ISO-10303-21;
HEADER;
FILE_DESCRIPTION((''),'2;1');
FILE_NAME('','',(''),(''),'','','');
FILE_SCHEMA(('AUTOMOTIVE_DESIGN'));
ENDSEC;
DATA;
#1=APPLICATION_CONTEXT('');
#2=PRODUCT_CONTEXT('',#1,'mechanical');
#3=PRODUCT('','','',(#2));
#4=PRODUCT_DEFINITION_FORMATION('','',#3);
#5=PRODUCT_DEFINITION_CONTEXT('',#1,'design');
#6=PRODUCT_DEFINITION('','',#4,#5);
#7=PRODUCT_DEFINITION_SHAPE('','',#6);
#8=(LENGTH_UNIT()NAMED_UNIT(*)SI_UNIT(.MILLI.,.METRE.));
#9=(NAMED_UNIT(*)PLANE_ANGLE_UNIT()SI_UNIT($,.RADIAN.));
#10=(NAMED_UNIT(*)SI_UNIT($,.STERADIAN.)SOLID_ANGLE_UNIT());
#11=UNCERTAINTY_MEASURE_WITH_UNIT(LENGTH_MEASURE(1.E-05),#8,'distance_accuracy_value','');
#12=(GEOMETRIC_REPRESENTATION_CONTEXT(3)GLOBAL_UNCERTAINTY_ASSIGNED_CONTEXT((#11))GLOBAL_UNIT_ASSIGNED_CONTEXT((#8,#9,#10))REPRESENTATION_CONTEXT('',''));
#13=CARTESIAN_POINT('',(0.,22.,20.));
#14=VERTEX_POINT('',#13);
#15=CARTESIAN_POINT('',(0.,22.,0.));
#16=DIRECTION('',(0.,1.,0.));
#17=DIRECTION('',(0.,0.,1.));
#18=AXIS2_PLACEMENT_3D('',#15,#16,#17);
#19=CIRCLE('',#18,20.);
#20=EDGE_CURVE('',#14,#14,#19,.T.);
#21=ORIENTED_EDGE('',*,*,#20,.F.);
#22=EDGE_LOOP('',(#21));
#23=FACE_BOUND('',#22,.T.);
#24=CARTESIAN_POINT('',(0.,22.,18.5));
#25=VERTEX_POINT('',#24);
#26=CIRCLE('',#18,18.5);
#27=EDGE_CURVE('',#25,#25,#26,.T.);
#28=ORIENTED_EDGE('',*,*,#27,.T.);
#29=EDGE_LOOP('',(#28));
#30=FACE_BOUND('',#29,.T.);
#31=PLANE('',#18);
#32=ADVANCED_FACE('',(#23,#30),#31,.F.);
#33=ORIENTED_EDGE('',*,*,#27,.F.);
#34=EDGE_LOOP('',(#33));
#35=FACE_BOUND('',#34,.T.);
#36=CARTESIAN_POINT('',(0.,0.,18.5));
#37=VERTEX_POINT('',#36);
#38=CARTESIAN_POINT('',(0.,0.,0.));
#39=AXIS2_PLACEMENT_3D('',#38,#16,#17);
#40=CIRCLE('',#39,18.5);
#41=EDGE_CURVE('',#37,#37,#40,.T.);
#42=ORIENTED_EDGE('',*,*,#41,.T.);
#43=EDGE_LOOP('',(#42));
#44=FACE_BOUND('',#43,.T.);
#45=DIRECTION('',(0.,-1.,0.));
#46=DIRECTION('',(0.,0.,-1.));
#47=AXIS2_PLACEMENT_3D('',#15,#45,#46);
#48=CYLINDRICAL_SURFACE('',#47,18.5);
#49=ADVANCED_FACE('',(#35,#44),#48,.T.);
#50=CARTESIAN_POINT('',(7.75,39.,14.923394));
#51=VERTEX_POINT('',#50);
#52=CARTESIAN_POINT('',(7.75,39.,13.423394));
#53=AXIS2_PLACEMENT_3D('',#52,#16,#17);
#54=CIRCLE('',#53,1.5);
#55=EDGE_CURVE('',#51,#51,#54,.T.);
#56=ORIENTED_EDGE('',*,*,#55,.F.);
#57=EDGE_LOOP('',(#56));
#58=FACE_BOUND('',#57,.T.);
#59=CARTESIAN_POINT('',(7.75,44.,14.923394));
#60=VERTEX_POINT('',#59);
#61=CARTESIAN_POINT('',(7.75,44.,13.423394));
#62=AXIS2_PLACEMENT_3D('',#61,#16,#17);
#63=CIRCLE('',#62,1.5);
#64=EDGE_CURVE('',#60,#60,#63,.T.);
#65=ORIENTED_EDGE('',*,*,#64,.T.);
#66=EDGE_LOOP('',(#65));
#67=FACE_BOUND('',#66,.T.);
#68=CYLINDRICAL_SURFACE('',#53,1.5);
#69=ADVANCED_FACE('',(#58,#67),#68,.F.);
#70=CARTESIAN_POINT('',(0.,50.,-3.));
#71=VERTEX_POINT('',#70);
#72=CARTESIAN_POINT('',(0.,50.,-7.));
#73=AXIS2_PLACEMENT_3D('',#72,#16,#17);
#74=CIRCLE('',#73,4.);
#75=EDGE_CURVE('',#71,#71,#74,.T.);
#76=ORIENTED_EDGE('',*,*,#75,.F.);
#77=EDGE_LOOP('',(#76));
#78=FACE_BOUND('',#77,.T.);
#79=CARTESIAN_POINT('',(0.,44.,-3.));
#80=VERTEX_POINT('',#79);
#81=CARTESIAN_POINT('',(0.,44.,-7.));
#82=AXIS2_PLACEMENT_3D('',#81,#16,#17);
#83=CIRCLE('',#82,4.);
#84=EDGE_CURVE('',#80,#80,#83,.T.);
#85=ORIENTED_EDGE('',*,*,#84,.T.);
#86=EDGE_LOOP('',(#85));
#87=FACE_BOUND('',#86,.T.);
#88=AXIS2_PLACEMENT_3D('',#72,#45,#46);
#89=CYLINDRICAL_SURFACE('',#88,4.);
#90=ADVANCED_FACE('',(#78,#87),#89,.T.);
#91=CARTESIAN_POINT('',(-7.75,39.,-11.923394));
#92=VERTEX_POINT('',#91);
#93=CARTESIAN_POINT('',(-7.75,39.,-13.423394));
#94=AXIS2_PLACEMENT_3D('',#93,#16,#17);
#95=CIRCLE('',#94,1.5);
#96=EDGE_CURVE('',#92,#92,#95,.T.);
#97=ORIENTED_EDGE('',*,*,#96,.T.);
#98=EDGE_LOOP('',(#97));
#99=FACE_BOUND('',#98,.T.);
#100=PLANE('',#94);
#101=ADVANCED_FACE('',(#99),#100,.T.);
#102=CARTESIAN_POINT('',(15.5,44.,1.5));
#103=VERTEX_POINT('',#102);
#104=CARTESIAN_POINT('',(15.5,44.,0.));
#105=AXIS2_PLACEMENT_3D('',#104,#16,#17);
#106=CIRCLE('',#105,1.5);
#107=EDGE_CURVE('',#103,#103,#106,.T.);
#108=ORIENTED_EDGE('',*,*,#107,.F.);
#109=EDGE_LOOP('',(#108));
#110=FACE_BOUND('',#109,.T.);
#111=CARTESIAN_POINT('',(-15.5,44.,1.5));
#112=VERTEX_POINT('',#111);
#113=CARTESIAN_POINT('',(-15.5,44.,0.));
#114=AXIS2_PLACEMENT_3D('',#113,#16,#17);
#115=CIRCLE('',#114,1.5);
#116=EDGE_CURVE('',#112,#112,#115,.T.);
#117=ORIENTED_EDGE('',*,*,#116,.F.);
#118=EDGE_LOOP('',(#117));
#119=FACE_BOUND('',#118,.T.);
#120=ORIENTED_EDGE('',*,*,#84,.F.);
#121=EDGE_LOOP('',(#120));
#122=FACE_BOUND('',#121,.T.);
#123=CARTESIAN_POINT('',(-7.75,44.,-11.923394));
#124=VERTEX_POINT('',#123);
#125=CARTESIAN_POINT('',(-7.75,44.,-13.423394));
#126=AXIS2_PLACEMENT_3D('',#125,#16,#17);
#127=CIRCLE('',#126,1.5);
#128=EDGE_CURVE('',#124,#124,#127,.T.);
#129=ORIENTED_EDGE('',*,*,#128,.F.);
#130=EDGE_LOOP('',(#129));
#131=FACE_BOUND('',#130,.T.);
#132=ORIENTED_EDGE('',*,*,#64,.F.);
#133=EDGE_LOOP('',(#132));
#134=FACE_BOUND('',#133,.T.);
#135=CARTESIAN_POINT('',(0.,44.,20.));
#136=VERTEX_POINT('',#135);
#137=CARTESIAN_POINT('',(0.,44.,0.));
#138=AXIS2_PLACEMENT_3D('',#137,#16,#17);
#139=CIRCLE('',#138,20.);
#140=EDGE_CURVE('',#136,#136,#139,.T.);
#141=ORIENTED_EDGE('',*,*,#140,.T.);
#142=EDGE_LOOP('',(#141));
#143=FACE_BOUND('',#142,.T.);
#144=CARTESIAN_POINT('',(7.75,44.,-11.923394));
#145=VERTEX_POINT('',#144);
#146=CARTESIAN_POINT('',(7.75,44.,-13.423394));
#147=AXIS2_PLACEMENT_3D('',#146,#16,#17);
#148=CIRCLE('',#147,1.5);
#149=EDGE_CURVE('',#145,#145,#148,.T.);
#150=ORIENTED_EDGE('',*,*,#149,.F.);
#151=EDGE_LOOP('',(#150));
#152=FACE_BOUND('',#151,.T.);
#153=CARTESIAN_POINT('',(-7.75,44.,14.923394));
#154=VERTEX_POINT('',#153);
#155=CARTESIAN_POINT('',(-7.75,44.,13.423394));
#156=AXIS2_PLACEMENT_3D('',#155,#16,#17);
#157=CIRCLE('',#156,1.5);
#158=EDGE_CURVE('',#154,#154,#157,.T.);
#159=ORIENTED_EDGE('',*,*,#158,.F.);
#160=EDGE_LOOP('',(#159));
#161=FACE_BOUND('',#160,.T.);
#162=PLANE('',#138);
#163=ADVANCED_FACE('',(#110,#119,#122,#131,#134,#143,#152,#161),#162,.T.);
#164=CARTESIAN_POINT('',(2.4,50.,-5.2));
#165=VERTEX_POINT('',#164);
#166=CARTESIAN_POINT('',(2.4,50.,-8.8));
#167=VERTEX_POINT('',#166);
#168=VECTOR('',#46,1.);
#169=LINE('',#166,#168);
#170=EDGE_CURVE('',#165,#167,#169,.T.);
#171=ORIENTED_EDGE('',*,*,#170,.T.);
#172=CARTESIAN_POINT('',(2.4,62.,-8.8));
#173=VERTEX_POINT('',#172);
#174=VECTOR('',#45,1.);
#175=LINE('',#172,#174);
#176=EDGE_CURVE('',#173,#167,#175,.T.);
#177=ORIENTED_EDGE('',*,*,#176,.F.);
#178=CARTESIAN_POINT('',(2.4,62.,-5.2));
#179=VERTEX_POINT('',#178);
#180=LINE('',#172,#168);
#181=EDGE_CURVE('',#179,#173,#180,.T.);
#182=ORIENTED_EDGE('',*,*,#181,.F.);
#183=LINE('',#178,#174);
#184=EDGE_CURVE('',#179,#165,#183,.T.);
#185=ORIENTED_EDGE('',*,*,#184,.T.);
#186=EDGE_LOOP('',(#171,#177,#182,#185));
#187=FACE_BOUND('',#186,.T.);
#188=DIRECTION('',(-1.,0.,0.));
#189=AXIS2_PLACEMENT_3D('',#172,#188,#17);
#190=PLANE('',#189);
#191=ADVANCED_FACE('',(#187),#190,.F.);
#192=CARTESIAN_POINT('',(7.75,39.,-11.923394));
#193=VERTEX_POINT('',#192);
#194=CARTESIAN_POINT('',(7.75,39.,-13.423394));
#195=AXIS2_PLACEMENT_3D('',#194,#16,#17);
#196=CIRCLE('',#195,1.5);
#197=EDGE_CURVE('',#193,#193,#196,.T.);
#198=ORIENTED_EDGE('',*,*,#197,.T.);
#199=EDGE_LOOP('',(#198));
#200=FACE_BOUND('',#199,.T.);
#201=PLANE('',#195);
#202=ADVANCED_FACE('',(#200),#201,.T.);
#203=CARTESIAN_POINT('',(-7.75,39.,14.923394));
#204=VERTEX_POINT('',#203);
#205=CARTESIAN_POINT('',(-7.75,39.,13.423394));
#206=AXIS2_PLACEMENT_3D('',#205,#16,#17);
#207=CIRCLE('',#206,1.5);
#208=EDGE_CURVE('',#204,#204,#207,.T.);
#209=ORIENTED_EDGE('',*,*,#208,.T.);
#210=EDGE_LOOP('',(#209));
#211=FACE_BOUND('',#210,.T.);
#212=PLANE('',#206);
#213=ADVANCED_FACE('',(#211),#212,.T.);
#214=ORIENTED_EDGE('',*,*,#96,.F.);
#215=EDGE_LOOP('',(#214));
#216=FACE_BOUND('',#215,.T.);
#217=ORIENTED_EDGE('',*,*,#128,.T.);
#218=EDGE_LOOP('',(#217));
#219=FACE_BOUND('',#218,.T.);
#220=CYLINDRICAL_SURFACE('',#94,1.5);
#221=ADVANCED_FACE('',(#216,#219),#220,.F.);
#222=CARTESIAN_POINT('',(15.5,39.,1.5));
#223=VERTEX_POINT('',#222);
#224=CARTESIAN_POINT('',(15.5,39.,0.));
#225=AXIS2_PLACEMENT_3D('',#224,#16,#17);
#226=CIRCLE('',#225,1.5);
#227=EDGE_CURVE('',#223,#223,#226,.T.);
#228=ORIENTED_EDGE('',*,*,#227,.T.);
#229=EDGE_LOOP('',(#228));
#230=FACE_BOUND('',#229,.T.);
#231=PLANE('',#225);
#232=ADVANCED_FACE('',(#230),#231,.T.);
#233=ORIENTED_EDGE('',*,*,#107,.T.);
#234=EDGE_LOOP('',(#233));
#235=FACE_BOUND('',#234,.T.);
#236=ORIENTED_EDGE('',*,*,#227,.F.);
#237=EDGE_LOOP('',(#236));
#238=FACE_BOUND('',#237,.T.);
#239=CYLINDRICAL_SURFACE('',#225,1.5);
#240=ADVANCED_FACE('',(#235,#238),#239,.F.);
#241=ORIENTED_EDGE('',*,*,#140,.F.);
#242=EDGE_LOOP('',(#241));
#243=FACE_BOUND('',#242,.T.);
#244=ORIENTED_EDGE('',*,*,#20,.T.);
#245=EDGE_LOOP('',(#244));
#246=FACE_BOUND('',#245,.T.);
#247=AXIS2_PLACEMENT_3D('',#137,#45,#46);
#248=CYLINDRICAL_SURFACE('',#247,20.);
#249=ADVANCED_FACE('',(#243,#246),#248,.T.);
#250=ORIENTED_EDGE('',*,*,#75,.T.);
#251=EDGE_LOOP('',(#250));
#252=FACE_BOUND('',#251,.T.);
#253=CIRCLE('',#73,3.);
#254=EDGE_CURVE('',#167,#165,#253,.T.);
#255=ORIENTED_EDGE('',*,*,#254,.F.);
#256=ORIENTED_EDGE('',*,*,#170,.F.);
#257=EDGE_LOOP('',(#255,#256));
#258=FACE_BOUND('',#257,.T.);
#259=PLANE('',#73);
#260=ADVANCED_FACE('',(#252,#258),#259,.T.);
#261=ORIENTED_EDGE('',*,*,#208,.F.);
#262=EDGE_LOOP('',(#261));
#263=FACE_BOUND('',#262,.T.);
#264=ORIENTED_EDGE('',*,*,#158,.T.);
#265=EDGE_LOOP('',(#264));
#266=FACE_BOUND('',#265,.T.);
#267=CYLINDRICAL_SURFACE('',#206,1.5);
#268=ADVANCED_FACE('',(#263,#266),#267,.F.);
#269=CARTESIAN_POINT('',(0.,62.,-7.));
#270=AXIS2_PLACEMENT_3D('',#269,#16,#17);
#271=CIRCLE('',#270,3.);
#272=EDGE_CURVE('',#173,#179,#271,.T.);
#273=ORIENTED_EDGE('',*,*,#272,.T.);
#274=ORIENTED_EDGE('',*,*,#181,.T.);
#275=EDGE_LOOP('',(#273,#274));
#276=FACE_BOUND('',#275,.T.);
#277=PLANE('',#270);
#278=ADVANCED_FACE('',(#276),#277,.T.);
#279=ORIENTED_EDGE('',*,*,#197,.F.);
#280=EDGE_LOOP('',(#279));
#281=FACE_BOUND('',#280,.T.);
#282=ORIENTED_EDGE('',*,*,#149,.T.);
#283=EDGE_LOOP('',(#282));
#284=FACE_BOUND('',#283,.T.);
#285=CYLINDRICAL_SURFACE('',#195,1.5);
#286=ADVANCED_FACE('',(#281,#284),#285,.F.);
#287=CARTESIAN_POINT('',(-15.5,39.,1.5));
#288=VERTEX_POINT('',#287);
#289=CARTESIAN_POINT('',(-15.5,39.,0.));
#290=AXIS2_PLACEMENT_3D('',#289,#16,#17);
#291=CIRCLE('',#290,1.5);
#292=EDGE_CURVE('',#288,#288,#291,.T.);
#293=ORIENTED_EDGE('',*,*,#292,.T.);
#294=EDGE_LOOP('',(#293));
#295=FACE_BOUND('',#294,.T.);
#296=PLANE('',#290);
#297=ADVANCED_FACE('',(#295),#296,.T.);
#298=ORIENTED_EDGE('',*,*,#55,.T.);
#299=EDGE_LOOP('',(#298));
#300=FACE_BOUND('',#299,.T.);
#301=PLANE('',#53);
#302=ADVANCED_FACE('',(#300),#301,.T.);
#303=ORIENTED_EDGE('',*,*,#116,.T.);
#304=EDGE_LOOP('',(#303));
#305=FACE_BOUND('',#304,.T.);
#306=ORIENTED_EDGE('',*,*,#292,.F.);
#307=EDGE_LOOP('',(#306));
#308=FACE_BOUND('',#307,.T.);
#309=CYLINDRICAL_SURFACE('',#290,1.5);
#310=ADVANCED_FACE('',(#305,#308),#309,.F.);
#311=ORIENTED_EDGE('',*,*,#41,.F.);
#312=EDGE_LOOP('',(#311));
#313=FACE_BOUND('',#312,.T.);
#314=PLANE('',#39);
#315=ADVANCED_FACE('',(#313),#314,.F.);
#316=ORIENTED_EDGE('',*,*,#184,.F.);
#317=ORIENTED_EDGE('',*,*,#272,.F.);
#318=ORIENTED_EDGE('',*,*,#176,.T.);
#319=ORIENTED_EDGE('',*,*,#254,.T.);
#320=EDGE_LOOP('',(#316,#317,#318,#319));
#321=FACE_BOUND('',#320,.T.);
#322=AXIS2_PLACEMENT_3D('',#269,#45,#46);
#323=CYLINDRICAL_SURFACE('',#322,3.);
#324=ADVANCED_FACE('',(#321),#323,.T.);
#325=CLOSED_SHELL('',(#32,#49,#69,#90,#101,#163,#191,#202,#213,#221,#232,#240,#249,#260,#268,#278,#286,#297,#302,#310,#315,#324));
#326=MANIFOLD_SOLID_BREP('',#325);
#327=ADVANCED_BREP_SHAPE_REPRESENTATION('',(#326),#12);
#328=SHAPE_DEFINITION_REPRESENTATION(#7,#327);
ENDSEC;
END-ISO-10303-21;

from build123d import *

# Parameters (mm, degrees)
SKETCH_1_R          = 18.5
EXTRUDE_1_DEPTH     = 22
SKETCH_2_R          = 20
EXTRUDE_2_DEPTH     = 22
SKETCH_3_R          = 1.5
CUT_EXTRUDE_1_DEPTH = 5
SKETCH_4_R          = 4
EXTRUDE_3_DEPTH     = 6
EXTRUDE_4_DEPTH     = 12


with BuildPart() as part:
    # 草图1 → 凸台-拉伸1 (new body)
    with BuildSketch(Plane(origin=(0, 0, 0), x_dir=(1, 0, 0), z_dir=(0, 1, 0))):
        with Locations(Location((0, 0, 0), (0, 0, 270))):
            Circle(SKETCH_1_R)
    extrude(amount=EXTRUDE_1_DEPTH)

    # 草图2 → 凸台-拉伸2 (add)
    with BuildSketch(Plane(origin=(0, 22, 0), x_dir=(1, 0, 0), z_dir=(0, 1, 0))):
        with Locations(Location((0, 0, 0), (0, 0, 270))):
            Circle(SKETCH_2_R)
    extrude(amount=EXTRUDE_2_DEPTH)

    # 草图3 → 切除-拉伸1 (cut)
    with BuildSketch(Plane(origin=(0, 44, 0), x_dir=(1, 0, 0), z_dir=(0, 1, 0))):
        with Locations(Location((-7.75, 13.423393759, 0), (0, 0, 270))):
            Circle(SKETCH_3_R)
        with Locations(Location((-15.5, 0, 0), (0, 0, 270))):
            Circle(SKETCH_3_R)
        with Locations(Location((-7.75, -13.423393759, 0), (0, 0, 270))):
            Circle(SKETCH_3_R)
        with Locations(Location((7.75, -13.423393759, 0), (0, 0, 270))):
            Circle(SKETCH_3_R)
        with Locations(Location((15.5, 0, 0), (0, 0, 270))):
            Circle(SKETCH_3_R)
        with Locations(Location((7.75, 13.423393759, 0), (0, 0, 270))):
            Circle(SKETCH_3_R)
    extrude(amount=-CUT_EXTRUDE_1_DEPTH, mode=Mode.SUBTRACT)

    # 草图4 → 凸台-拉伸3 (add)
    with BuildSketch(Plane(origin=(0, 44, 0), x_dir=(1, 0, 0), z_dir=(0, 1, 0))):
        with Locations(Location((0, 7, 0), (0, 0, 270))):
            Circle(SKETCH_4_R)
    extrude(amount=EXTRUDE_3_DEPTH)

    # 草图5 → 凸台-拉伸4 (add)
    with BuildSketch(Plane(origin=(0, 50, 0), x_dir=(1, 0, 0), z_dir=(0, 1, 0))):
        with BuildLine():
            Line((2.4, 8.8), (2.4, 5.2))
            ThreePointArc((2.4, 5.2), (-3, 7), (2.4, 8.8))
        make_face()
    extrude(amount=EXTRUDE_4_DEPTH)


solid = part.part
